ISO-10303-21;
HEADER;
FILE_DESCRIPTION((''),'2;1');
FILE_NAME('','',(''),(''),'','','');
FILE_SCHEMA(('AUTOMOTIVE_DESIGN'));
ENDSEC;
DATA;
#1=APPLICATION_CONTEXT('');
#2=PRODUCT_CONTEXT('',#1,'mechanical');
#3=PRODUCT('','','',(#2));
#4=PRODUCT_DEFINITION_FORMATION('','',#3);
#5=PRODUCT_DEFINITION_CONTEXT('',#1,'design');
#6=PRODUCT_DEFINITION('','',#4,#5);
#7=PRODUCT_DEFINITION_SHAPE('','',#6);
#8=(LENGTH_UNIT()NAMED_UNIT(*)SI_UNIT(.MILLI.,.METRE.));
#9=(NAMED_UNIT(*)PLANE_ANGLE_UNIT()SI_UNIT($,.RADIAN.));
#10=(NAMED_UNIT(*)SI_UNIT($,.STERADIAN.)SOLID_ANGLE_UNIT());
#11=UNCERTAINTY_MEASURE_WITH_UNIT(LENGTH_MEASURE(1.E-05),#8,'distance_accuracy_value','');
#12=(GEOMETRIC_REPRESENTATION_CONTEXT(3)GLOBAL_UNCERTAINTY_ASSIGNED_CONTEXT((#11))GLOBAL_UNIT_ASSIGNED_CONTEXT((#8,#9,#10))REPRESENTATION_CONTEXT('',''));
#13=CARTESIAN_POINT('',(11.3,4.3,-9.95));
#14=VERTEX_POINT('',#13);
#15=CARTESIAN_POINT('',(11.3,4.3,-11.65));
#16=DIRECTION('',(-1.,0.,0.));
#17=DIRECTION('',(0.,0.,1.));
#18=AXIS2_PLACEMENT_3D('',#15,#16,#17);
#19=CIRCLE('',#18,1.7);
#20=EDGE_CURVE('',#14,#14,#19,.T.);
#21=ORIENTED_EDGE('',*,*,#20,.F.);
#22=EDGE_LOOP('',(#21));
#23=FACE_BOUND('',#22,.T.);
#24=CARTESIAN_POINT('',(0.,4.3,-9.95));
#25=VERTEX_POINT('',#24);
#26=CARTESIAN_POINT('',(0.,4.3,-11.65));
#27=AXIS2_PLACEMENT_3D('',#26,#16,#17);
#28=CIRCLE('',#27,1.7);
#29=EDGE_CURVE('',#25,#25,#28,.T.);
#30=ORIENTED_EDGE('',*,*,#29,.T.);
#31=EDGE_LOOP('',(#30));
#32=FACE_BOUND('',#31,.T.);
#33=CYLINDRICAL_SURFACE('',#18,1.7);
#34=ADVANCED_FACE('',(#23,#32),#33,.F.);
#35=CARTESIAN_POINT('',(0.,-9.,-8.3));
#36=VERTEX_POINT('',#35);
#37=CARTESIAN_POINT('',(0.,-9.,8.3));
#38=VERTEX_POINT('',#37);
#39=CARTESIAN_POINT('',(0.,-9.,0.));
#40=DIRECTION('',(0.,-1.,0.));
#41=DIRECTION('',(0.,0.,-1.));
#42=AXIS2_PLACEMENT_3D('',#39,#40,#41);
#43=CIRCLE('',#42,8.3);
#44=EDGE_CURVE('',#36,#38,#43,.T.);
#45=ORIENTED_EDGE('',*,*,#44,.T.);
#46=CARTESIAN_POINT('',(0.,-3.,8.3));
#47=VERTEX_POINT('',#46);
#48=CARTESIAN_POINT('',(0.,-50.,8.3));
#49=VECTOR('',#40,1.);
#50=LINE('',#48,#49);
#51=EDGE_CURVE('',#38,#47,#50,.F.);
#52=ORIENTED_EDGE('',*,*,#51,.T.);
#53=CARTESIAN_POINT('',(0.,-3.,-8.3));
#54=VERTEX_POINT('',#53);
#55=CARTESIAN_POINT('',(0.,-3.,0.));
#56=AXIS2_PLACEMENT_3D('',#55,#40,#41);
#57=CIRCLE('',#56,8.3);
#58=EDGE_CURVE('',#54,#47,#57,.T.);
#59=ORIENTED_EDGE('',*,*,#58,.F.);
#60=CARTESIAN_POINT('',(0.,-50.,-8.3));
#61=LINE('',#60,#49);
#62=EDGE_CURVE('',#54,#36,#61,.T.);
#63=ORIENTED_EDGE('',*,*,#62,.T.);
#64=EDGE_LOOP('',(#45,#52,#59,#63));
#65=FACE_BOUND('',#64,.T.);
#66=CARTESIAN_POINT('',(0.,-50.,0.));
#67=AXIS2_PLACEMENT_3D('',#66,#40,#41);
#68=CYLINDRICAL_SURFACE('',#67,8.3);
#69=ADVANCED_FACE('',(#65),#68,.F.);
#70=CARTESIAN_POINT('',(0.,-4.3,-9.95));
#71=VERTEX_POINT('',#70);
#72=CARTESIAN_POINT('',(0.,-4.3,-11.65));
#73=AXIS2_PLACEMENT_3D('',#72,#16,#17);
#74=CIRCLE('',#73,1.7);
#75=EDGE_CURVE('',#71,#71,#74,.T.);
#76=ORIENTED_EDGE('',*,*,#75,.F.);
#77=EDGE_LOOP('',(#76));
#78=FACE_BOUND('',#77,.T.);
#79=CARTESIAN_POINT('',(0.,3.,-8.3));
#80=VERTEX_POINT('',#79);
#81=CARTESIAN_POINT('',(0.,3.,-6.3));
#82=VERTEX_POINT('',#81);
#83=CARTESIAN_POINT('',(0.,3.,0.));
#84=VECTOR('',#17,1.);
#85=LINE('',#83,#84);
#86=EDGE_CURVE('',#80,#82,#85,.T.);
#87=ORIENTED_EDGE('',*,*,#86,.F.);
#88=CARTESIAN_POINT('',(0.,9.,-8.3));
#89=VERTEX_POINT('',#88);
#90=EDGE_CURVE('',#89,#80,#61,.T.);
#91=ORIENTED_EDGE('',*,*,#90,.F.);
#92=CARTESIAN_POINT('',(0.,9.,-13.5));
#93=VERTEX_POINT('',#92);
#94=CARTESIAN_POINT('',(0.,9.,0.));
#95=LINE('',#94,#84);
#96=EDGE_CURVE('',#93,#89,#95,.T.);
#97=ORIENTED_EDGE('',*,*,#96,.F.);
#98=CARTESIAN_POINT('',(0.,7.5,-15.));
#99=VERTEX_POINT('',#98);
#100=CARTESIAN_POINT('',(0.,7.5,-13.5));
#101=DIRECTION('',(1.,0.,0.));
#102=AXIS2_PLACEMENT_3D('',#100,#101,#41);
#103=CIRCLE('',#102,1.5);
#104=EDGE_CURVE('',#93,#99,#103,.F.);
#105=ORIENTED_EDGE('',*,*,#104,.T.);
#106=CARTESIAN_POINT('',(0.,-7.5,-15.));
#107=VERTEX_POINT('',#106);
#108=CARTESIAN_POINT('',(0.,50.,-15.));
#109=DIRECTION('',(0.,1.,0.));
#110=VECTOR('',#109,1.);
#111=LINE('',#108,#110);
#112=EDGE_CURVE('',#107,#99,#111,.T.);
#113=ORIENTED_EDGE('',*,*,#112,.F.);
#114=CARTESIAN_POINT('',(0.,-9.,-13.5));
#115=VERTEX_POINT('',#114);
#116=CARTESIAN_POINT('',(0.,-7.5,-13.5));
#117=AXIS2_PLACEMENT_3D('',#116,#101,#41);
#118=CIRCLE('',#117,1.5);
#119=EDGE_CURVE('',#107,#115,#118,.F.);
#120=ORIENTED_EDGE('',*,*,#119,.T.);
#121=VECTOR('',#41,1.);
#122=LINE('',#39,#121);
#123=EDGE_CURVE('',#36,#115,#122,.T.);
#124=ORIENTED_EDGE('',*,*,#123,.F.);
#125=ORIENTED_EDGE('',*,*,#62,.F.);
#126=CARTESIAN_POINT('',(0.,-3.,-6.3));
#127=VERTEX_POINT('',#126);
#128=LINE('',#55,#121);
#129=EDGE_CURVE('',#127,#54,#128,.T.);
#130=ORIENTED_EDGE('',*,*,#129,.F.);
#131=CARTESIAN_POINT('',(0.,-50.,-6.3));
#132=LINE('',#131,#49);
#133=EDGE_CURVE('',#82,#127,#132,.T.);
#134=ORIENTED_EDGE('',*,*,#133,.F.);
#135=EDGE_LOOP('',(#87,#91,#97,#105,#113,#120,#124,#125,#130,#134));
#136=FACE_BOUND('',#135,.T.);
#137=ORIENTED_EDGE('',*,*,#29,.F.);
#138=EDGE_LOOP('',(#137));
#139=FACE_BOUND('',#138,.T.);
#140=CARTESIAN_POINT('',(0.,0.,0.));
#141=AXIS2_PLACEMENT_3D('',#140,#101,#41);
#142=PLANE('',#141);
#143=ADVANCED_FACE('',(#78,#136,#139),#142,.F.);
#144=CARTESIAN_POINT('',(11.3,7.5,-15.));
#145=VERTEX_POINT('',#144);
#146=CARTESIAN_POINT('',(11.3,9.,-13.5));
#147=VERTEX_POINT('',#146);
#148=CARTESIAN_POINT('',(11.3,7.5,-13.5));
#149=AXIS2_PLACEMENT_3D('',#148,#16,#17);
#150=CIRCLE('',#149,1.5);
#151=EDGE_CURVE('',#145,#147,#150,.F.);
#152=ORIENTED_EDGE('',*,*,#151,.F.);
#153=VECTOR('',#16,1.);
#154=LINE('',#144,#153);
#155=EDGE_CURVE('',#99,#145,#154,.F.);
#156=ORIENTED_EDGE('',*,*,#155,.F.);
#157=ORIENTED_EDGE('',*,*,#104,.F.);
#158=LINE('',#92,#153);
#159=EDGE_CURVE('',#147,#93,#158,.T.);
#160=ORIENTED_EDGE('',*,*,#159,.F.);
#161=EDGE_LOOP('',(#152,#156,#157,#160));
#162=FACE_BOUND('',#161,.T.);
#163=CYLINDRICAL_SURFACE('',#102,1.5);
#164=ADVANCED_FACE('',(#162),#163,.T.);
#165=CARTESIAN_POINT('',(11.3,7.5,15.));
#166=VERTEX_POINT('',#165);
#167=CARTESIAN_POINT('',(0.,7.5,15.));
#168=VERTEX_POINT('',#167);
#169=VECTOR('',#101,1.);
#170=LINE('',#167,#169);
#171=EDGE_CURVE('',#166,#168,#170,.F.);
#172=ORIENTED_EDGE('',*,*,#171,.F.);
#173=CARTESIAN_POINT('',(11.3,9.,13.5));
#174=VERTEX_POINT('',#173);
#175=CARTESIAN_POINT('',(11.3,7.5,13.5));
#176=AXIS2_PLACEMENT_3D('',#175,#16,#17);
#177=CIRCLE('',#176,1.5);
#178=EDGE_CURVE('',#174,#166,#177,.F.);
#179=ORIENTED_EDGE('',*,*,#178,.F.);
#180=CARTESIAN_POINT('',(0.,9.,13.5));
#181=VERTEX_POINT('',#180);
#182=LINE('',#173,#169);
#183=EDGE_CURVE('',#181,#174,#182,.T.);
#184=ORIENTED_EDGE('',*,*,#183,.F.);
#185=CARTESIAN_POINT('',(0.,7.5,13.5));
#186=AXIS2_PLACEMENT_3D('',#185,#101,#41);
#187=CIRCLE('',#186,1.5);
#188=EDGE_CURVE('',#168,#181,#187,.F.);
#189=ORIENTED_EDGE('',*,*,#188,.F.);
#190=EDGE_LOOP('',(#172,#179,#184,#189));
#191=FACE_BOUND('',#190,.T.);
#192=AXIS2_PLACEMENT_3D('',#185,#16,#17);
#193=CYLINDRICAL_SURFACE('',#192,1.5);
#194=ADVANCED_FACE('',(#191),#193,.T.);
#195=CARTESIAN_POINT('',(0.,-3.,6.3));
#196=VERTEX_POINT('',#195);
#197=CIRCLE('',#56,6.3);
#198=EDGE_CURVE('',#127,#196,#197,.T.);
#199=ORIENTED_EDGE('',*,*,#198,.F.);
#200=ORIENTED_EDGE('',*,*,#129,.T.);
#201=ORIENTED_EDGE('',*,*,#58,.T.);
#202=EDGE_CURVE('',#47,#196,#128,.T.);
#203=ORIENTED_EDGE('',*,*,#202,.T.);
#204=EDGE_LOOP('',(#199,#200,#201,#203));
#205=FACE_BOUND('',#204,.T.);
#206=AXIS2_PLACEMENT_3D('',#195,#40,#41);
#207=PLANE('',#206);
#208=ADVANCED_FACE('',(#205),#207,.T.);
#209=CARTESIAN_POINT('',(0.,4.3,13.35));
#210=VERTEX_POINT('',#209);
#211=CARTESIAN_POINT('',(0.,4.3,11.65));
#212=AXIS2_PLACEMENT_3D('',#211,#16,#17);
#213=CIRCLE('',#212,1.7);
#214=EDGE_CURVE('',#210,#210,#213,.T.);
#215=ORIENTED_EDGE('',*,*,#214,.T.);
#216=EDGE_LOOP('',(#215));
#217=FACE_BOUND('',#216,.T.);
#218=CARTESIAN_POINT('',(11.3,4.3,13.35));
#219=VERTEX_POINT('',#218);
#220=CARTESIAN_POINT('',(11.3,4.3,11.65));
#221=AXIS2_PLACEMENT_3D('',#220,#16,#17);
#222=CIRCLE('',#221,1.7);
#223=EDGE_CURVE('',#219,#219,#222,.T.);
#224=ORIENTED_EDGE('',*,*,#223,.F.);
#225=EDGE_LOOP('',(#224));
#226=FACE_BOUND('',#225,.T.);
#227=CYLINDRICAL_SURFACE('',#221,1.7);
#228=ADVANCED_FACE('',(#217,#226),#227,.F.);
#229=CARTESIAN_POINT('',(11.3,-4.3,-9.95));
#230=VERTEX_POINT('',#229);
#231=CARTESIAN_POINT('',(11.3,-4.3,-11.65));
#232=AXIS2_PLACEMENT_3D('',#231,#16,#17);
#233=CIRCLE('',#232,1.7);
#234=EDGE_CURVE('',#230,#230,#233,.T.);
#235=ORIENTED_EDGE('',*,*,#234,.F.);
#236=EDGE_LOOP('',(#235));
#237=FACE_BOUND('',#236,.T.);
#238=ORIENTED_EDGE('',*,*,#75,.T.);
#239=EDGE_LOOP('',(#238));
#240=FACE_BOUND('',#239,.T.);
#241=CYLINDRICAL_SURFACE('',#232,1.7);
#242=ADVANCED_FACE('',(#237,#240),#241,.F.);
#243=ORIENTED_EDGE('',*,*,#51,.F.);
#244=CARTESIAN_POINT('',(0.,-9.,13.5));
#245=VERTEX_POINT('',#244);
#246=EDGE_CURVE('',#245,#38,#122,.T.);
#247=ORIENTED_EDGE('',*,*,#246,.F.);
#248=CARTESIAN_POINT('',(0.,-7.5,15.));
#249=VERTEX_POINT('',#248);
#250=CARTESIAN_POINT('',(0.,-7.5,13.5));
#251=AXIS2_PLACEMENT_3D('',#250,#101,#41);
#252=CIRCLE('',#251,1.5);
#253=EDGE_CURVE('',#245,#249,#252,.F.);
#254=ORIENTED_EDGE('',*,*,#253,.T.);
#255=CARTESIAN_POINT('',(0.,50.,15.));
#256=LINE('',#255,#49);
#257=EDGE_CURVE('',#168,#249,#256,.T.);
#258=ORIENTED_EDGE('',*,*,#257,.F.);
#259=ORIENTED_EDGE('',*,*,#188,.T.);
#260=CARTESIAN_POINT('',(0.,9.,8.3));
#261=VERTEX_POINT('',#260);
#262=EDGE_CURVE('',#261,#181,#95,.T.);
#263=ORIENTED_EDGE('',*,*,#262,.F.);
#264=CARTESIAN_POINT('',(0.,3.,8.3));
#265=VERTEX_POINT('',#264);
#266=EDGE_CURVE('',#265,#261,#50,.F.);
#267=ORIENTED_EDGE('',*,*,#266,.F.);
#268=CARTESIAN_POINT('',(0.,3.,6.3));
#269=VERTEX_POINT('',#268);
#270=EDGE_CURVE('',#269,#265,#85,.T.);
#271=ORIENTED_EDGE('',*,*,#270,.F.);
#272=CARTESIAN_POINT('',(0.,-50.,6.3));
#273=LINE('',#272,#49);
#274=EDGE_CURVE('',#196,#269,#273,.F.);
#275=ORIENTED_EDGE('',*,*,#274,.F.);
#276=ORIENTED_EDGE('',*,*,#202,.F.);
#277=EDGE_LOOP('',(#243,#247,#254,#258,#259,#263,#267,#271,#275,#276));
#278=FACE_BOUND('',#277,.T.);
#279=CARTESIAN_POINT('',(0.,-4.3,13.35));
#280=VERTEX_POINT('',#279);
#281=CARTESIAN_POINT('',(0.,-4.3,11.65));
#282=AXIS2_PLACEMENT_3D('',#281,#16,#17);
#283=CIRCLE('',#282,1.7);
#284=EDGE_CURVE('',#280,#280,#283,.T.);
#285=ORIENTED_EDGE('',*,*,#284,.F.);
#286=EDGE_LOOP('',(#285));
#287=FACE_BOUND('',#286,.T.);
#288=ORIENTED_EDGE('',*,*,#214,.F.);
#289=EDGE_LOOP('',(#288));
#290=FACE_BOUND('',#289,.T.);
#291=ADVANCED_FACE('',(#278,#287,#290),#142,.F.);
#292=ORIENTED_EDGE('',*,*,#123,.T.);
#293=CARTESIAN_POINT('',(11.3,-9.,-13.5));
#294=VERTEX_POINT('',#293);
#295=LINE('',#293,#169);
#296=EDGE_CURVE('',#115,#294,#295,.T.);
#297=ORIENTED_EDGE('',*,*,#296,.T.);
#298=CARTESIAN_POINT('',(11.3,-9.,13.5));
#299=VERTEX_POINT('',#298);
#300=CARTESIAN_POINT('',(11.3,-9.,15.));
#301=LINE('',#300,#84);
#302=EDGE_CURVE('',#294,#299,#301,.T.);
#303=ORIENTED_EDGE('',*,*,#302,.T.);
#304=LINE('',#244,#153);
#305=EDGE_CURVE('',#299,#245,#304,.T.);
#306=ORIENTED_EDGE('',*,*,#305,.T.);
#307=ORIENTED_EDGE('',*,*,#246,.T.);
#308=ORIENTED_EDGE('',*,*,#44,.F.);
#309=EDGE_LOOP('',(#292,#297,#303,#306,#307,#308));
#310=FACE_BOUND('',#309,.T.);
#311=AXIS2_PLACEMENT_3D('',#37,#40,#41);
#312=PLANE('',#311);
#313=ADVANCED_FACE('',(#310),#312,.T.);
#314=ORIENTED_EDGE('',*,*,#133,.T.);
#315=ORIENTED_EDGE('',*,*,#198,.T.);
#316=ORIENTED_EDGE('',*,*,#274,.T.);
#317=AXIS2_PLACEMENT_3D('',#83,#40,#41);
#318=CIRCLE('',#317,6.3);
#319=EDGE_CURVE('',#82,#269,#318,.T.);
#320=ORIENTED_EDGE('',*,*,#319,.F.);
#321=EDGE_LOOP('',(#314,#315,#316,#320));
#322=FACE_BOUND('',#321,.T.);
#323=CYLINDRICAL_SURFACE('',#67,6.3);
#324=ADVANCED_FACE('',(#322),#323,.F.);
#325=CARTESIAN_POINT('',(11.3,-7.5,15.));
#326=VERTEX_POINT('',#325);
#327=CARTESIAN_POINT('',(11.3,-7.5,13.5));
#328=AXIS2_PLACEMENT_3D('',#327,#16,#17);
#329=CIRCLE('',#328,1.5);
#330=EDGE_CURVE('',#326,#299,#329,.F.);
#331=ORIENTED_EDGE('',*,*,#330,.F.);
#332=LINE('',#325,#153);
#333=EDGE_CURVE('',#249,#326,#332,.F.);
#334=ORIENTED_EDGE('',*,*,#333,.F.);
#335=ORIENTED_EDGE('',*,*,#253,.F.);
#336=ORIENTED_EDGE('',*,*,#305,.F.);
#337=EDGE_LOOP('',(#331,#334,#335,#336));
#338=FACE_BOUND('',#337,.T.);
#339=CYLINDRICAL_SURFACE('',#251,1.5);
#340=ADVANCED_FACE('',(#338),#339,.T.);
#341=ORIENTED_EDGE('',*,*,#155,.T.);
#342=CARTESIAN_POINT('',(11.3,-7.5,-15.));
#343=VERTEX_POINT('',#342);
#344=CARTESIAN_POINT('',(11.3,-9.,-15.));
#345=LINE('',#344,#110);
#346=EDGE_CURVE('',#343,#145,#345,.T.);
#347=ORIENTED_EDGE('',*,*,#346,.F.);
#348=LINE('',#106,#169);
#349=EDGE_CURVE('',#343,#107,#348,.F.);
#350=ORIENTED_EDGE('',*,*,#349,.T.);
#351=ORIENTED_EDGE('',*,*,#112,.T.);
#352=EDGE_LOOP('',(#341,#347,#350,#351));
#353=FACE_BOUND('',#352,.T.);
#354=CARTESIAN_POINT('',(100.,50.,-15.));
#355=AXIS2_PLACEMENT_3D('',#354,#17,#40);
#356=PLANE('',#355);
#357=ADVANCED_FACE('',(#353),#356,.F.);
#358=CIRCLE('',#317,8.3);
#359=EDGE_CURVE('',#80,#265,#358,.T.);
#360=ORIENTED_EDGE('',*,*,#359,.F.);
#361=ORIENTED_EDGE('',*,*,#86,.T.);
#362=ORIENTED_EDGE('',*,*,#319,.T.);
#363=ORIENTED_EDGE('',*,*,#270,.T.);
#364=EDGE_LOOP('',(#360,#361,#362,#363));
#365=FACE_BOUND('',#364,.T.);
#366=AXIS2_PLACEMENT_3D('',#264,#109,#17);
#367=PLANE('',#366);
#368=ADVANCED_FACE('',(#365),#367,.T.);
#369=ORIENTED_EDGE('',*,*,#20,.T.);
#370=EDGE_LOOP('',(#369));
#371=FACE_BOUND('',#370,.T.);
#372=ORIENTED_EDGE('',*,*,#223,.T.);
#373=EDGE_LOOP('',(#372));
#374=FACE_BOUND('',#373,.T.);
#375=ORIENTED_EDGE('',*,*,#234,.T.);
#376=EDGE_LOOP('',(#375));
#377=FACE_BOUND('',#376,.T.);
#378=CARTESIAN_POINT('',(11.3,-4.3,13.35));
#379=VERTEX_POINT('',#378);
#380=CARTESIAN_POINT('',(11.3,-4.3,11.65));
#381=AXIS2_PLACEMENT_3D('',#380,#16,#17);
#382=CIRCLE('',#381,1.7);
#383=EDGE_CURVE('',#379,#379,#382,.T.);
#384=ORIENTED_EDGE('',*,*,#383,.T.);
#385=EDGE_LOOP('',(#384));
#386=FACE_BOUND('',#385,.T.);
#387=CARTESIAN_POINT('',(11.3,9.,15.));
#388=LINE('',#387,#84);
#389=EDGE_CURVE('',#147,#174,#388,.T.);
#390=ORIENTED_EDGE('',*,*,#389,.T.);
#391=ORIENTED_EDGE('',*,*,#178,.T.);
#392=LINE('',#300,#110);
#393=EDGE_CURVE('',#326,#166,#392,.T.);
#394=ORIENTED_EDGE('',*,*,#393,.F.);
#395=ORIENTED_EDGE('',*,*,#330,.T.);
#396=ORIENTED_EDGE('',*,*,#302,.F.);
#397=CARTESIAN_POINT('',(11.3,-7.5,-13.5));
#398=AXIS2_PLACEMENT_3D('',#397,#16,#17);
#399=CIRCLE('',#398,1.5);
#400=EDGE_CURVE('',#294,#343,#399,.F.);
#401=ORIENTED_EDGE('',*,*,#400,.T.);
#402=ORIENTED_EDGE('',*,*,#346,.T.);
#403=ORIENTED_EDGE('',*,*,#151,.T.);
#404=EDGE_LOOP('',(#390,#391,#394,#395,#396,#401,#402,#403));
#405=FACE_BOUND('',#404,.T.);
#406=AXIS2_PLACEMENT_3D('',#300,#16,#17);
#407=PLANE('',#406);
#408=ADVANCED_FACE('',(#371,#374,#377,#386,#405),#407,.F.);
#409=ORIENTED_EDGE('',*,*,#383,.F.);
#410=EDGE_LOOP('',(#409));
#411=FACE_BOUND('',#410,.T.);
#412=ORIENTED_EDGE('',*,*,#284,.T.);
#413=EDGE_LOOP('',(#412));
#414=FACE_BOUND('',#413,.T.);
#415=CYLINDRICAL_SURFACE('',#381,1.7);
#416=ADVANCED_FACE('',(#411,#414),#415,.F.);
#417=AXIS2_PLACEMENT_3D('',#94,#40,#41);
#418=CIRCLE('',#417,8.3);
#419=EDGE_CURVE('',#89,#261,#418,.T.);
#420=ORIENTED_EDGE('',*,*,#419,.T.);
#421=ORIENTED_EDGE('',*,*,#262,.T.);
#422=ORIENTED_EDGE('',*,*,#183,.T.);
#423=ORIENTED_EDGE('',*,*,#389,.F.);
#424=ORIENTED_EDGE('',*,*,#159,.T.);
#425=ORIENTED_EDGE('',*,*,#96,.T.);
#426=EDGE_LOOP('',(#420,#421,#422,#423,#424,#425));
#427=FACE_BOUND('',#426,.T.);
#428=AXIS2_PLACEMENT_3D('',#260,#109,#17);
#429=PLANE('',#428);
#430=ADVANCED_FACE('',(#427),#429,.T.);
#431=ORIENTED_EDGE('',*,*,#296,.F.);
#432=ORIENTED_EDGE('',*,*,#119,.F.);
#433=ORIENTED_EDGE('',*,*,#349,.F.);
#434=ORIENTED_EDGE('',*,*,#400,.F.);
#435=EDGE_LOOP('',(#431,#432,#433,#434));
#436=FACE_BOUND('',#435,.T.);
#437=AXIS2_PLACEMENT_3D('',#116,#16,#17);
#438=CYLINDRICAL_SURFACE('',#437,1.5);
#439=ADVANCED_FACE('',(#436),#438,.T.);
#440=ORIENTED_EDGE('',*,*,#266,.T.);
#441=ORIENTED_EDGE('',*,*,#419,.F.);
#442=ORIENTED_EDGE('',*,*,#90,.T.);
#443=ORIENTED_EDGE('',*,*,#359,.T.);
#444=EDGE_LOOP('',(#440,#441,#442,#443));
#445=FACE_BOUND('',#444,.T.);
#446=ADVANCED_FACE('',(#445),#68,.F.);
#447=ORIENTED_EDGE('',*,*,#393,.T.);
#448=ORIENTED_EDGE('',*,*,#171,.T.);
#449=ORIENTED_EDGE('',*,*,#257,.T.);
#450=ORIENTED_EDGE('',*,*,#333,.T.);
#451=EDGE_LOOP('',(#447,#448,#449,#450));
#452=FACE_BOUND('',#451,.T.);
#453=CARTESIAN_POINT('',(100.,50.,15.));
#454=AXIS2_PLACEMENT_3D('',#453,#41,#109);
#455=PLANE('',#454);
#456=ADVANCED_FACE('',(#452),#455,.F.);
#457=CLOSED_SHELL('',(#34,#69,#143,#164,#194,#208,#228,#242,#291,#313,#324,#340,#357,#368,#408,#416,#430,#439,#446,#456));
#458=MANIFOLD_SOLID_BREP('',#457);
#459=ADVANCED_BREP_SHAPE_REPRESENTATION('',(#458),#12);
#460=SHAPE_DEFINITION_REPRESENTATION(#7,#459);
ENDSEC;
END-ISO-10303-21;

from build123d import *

# Parameters (mm, degrees)
SKETCH8_W           = 30
SKETCH8_H           = 100
BOSS_EXTRUDE1_DEPTH = 100
SKETCH9_W           = 88.7
SKETCH9_H           = 30
CUT_EXTRUDE1_DEPTH  = 103.708324882
SKETCH10_R          = 1.7
CUT_EXTRUDE2_DEPTH  = 21.825225089
FILLET1_R           = 1.5


with BuildPart() as part:
    # Sketch8 → Boss-Extrude1 (new body)
    with BuildSketch(Plane(origin=(0, 0, 0), x_dir=(0, 0, -1), z_dir=(1, 0, 0))):
        Rectangle(SKETCH8_W, SKETCH8_H)
    extrude(amount=BOSS_EXTRUDE1_DEPTH)

    # Sketch7 → Cut-Revolve3 (revolve, cut)
    with BuildSketch(Plane(origin=(0, 0, 0), x_dir=(0, 0, -1), z_dir=(1, 0, 0))):
        Polygon((-8.3, 9), (-150, 9), (-150, 50), (0, 50), (0, -50), (-150, -50), (-150, -9), (-8.3, -9), (-8.3, -3), (-6.3, -3), (-6.3, 3), (-8.3, 3), align=None)
    revolve(axis=Axis((0, -50, 0), (0, 1, 0)), mode=Mode.SUBTRACT)

    # Sketch9 → Cut-Extrude1 (cut, through all)
    with BuildSketch(Plane(origin=(0, 9, 0), x_dir=(1, 0, 0), z_dir=(0, 1, 0))):
        with Locations((55.65, 0)):
            Rectangle(SKETCH9_W, SKETCH9_H)
    extrude(amount=-CUT_EXTRUDE1_DEPTH, mode=Mode.SUBTRACT)

    # Sketch10 → Cut-Extrude2 (cut, through all)
    with BuildSketch(Plane.ZY):
        with Locations((-11.65, 4.3)):
            Circle(SKETCH10_R)
        with Locations((-11.65, -4.3)):
            Circle(SKETCH10_R)
        with Locations((11.65, -4.3)):
            Circle(SKETCH10_R)
        with Locations((11.65, 4.3)):
            Circle(SKETCH10_R)
    extrude(amount=-CUT_EXTRUDE2_DEPTH, mode=Mode.SUBTRACT)

    # Fillet1
    fillet1_edges = [part.edges().sort_by_distance(p)[0] for p in [
        (5.65, 9, 15),
        (5.65, -9, -15),
        (5.65, -9, 15),
        (5.65, 9, -15),
    ]]
    fillet(fillet1_edges, radius=FILLET1_R)


solid = part.part
